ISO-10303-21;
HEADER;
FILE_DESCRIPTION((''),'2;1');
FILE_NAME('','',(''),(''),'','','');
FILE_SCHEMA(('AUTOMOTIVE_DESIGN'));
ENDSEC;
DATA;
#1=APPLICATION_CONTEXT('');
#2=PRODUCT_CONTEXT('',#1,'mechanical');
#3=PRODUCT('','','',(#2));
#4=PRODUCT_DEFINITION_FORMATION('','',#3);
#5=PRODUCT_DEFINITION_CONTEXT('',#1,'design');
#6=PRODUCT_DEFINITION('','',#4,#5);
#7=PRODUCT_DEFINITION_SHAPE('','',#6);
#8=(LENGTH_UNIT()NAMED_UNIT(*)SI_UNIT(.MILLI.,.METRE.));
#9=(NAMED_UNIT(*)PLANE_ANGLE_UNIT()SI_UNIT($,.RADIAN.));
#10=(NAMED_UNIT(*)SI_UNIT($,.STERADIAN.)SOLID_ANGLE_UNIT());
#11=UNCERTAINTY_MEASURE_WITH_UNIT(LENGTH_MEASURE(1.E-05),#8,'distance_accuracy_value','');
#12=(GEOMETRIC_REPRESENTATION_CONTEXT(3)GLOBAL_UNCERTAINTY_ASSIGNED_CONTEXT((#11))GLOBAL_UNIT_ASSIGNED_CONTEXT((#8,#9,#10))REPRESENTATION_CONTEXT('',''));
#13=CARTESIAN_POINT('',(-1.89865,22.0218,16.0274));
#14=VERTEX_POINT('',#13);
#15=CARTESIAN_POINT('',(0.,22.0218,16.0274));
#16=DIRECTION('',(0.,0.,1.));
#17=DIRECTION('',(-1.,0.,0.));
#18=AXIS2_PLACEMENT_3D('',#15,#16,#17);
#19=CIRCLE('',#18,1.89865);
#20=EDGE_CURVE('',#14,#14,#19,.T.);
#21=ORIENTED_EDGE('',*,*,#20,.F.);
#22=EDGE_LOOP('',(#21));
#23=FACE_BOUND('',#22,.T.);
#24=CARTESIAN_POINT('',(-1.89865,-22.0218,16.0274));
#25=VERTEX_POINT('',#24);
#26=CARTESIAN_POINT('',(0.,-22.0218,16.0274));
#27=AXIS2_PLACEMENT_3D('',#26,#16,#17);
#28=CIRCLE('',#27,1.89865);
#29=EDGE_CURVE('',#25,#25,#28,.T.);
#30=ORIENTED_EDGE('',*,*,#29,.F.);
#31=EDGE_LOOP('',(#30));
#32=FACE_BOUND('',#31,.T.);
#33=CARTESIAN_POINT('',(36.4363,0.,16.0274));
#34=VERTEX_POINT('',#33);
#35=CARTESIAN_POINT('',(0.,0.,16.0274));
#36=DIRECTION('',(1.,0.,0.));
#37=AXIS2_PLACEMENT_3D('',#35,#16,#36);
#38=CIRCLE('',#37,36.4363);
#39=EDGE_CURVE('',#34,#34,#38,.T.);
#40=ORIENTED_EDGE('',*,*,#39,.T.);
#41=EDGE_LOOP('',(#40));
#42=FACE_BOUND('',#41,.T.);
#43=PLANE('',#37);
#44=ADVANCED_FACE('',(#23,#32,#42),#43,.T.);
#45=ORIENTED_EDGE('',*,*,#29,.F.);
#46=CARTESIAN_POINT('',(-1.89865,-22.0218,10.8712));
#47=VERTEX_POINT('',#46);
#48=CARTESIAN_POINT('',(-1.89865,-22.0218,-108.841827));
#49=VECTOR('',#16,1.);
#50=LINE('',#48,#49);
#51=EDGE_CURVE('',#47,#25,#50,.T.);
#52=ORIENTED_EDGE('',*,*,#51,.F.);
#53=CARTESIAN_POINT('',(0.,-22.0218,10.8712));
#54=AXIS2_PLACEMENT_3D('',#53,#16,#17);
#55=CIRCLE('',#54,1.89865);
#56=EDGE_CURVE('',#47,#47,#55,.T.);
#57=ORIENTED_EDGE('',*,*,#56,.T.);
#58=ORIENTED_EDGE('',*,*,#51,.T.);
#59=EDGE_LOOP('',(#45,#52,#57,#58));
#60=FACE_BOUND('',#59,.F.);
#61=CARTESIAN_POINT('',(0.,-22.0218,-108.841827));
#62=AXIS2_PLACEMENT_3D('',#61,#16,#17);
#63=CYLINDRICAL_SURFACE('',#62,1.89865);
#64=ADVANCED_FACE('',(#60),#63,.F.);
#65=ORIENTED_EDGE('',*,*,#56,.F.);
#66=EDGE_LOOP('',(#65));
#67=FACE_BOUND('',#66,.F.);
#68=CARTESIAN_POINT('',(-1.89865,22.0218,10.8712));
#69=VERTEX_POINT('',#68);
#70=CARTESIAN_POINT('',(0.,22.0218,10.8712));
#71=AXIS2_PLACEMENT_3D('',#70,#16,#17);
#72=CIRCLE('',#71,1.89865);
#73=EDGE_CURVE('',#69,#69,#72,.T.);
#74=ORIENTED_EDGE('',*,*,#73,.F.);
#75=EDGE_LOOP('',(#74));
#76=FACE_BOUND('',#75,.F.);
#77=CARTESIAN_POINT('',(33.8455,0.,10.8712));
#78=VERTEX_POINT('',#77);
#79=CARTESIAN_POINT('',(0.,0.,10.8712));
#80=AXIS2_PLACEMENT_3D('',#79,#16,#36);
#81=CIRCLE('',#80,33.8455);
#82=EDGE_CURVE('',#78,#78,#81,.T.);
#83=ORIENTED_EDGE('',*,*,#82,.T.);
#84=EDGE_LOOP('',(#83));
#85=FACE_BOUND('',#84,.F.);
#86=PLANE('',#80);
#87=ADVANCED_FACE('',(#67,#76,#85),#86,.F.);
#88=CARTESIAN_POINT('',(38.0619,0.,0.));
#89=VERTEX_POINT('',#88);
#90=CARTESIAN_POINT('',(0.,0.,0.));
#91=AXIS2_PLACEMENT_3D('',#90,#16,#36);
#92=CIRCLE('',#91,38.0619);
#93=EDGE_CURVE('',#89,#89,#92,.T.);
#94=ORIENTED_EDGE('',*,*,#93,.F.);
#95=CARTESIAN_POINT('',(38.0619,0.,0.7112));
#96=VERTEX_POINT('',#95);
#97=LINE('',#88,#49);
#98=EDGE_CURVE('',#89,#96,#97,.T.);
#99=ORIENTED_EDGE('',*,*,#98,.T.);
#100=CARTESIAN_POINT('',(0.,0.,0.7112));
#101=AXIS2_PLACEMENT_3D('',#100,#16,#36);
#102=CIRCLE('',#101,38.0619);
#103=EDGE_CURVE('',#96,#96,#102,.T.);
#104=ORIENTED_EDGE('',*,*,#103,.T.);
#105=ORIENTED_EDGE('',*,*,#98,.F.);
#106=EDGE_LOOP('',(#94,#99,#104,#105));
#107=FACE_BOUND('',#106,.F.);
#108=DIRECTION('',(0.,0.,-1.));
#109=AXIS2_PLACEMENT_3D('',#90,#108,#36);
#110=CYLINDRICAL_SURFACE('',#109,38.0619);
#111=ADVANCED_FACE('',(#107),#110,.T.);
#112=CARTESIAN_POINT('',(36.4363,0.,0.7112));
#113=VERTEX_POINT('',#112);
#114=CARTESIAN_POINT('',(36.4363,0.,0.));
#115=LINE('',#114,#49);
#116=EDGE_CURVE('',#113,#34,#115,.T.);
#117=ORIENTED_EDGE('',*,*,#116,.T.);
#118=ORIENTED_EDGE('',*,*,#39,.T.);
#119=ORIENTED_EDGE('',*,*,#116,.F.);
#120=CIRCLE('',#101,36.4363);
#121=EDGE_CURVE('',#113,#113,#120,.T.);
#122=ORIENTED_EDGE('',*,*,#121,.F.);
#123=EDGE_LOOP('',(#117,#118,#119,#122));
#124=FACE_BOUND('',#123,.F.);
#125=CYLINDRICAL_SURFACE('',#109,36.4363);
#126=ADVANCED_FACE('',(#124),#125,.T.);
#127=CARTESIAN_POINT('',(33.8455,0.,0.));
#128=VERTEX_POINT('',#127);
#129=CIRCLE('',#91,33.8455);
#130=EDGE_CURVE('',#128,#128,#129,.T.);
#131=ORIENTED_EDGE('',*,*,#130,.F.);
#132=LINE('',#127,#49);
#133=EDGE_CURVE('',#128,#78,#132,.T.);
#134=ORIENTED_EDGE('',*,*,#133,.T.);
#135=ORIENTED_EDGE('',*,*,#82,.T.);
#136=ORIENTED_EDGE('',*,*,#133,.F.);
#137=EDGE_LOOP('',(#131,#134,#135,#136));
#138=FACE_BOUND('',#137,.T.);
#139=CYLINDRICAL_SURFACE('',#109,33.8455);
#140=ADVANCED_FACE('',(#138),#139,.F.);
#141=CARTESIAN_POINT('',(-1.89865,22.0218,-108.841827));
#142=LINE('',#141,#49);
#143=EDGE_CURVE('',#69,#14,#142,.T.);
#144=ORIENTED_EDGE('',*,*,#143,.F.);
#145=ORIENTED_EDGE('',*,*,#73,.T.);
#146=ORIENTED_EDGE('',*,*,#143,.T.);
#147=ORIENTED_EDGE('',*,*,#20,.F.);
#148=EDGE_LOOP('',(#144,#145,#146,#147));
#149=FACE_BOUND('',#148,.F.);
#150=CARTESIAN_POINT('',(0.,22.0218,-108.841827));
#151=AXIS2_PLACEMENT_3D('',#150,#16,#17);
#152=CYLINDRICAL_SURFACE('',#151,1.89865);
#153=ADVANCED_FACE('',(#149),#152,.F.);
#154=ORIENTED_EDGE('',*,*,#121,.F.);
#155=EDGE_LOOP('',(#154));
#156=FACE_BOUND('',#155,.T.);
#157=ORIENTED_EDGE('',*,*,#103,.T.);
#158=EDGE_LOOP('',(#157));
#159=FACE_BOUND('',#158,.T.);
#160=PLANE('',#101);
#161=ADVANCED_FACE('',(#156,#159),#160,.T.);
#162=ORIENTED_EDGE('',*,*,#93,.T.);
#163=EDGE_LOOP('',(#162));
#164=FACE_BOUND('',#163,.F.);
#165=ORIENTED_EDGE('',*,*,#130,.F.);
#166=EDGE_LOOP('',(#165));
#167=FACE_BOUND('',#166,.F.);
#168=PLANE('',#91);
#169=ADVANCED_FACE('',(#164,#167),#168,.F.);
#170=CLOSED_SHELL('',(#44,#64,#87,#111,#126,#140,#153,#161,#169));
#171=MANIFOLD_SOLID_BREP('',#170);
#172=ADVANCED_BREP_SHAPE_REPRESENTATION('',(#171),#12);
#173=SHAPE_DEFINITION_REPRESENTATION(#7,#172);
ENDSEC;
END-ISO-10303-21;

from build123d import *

# Parameters (mm, degrees)
F0_R     = 38.0619
F0_R_2   = 36.4363
F1_DEPTH = 0.7112
F0_R_3   = 33.8455
F2_DEPTH = 16.0274
F3_DEPTH = 10.8712
F5_D     = 3.7973


with BuildPart() as f1:
    # F0 (on Top) → F1 (new body)
    with BuildSketch(Plane.XY):
        Circle(F0_R)
        Circle(F0_R_2, mode=Mode.SUBTRACT)
    extrude(amount=F1_DEPTH)

    # F0 (on Top) → F2 (join)
    with BuildSketch(Plane.XY):
        Circle(F0_R_2)
        Circle(F0_R_3, mode=Mode.SUBTRACT)
        Circle(F0_R_3)
    extrude(amount=F2_DEPTH)

    # F0 (on Top) → F3 (cut)
    with BuildSketch(Plane.XY):
        Circle(F0_R_3)
    extrude(amount=F3_DEPTH, mode=Mode.SUBTRACT)

    # F5 (through all)
    with Locations(Plane(origin=(0, 0, 0), x_dir=(1, 0, 0), z_dir=(0, 0, -1))):
        with Locations((0, 22.0218), (0, -22.0218)):
            Hole(F5_D / 2)


solid = f1.part
